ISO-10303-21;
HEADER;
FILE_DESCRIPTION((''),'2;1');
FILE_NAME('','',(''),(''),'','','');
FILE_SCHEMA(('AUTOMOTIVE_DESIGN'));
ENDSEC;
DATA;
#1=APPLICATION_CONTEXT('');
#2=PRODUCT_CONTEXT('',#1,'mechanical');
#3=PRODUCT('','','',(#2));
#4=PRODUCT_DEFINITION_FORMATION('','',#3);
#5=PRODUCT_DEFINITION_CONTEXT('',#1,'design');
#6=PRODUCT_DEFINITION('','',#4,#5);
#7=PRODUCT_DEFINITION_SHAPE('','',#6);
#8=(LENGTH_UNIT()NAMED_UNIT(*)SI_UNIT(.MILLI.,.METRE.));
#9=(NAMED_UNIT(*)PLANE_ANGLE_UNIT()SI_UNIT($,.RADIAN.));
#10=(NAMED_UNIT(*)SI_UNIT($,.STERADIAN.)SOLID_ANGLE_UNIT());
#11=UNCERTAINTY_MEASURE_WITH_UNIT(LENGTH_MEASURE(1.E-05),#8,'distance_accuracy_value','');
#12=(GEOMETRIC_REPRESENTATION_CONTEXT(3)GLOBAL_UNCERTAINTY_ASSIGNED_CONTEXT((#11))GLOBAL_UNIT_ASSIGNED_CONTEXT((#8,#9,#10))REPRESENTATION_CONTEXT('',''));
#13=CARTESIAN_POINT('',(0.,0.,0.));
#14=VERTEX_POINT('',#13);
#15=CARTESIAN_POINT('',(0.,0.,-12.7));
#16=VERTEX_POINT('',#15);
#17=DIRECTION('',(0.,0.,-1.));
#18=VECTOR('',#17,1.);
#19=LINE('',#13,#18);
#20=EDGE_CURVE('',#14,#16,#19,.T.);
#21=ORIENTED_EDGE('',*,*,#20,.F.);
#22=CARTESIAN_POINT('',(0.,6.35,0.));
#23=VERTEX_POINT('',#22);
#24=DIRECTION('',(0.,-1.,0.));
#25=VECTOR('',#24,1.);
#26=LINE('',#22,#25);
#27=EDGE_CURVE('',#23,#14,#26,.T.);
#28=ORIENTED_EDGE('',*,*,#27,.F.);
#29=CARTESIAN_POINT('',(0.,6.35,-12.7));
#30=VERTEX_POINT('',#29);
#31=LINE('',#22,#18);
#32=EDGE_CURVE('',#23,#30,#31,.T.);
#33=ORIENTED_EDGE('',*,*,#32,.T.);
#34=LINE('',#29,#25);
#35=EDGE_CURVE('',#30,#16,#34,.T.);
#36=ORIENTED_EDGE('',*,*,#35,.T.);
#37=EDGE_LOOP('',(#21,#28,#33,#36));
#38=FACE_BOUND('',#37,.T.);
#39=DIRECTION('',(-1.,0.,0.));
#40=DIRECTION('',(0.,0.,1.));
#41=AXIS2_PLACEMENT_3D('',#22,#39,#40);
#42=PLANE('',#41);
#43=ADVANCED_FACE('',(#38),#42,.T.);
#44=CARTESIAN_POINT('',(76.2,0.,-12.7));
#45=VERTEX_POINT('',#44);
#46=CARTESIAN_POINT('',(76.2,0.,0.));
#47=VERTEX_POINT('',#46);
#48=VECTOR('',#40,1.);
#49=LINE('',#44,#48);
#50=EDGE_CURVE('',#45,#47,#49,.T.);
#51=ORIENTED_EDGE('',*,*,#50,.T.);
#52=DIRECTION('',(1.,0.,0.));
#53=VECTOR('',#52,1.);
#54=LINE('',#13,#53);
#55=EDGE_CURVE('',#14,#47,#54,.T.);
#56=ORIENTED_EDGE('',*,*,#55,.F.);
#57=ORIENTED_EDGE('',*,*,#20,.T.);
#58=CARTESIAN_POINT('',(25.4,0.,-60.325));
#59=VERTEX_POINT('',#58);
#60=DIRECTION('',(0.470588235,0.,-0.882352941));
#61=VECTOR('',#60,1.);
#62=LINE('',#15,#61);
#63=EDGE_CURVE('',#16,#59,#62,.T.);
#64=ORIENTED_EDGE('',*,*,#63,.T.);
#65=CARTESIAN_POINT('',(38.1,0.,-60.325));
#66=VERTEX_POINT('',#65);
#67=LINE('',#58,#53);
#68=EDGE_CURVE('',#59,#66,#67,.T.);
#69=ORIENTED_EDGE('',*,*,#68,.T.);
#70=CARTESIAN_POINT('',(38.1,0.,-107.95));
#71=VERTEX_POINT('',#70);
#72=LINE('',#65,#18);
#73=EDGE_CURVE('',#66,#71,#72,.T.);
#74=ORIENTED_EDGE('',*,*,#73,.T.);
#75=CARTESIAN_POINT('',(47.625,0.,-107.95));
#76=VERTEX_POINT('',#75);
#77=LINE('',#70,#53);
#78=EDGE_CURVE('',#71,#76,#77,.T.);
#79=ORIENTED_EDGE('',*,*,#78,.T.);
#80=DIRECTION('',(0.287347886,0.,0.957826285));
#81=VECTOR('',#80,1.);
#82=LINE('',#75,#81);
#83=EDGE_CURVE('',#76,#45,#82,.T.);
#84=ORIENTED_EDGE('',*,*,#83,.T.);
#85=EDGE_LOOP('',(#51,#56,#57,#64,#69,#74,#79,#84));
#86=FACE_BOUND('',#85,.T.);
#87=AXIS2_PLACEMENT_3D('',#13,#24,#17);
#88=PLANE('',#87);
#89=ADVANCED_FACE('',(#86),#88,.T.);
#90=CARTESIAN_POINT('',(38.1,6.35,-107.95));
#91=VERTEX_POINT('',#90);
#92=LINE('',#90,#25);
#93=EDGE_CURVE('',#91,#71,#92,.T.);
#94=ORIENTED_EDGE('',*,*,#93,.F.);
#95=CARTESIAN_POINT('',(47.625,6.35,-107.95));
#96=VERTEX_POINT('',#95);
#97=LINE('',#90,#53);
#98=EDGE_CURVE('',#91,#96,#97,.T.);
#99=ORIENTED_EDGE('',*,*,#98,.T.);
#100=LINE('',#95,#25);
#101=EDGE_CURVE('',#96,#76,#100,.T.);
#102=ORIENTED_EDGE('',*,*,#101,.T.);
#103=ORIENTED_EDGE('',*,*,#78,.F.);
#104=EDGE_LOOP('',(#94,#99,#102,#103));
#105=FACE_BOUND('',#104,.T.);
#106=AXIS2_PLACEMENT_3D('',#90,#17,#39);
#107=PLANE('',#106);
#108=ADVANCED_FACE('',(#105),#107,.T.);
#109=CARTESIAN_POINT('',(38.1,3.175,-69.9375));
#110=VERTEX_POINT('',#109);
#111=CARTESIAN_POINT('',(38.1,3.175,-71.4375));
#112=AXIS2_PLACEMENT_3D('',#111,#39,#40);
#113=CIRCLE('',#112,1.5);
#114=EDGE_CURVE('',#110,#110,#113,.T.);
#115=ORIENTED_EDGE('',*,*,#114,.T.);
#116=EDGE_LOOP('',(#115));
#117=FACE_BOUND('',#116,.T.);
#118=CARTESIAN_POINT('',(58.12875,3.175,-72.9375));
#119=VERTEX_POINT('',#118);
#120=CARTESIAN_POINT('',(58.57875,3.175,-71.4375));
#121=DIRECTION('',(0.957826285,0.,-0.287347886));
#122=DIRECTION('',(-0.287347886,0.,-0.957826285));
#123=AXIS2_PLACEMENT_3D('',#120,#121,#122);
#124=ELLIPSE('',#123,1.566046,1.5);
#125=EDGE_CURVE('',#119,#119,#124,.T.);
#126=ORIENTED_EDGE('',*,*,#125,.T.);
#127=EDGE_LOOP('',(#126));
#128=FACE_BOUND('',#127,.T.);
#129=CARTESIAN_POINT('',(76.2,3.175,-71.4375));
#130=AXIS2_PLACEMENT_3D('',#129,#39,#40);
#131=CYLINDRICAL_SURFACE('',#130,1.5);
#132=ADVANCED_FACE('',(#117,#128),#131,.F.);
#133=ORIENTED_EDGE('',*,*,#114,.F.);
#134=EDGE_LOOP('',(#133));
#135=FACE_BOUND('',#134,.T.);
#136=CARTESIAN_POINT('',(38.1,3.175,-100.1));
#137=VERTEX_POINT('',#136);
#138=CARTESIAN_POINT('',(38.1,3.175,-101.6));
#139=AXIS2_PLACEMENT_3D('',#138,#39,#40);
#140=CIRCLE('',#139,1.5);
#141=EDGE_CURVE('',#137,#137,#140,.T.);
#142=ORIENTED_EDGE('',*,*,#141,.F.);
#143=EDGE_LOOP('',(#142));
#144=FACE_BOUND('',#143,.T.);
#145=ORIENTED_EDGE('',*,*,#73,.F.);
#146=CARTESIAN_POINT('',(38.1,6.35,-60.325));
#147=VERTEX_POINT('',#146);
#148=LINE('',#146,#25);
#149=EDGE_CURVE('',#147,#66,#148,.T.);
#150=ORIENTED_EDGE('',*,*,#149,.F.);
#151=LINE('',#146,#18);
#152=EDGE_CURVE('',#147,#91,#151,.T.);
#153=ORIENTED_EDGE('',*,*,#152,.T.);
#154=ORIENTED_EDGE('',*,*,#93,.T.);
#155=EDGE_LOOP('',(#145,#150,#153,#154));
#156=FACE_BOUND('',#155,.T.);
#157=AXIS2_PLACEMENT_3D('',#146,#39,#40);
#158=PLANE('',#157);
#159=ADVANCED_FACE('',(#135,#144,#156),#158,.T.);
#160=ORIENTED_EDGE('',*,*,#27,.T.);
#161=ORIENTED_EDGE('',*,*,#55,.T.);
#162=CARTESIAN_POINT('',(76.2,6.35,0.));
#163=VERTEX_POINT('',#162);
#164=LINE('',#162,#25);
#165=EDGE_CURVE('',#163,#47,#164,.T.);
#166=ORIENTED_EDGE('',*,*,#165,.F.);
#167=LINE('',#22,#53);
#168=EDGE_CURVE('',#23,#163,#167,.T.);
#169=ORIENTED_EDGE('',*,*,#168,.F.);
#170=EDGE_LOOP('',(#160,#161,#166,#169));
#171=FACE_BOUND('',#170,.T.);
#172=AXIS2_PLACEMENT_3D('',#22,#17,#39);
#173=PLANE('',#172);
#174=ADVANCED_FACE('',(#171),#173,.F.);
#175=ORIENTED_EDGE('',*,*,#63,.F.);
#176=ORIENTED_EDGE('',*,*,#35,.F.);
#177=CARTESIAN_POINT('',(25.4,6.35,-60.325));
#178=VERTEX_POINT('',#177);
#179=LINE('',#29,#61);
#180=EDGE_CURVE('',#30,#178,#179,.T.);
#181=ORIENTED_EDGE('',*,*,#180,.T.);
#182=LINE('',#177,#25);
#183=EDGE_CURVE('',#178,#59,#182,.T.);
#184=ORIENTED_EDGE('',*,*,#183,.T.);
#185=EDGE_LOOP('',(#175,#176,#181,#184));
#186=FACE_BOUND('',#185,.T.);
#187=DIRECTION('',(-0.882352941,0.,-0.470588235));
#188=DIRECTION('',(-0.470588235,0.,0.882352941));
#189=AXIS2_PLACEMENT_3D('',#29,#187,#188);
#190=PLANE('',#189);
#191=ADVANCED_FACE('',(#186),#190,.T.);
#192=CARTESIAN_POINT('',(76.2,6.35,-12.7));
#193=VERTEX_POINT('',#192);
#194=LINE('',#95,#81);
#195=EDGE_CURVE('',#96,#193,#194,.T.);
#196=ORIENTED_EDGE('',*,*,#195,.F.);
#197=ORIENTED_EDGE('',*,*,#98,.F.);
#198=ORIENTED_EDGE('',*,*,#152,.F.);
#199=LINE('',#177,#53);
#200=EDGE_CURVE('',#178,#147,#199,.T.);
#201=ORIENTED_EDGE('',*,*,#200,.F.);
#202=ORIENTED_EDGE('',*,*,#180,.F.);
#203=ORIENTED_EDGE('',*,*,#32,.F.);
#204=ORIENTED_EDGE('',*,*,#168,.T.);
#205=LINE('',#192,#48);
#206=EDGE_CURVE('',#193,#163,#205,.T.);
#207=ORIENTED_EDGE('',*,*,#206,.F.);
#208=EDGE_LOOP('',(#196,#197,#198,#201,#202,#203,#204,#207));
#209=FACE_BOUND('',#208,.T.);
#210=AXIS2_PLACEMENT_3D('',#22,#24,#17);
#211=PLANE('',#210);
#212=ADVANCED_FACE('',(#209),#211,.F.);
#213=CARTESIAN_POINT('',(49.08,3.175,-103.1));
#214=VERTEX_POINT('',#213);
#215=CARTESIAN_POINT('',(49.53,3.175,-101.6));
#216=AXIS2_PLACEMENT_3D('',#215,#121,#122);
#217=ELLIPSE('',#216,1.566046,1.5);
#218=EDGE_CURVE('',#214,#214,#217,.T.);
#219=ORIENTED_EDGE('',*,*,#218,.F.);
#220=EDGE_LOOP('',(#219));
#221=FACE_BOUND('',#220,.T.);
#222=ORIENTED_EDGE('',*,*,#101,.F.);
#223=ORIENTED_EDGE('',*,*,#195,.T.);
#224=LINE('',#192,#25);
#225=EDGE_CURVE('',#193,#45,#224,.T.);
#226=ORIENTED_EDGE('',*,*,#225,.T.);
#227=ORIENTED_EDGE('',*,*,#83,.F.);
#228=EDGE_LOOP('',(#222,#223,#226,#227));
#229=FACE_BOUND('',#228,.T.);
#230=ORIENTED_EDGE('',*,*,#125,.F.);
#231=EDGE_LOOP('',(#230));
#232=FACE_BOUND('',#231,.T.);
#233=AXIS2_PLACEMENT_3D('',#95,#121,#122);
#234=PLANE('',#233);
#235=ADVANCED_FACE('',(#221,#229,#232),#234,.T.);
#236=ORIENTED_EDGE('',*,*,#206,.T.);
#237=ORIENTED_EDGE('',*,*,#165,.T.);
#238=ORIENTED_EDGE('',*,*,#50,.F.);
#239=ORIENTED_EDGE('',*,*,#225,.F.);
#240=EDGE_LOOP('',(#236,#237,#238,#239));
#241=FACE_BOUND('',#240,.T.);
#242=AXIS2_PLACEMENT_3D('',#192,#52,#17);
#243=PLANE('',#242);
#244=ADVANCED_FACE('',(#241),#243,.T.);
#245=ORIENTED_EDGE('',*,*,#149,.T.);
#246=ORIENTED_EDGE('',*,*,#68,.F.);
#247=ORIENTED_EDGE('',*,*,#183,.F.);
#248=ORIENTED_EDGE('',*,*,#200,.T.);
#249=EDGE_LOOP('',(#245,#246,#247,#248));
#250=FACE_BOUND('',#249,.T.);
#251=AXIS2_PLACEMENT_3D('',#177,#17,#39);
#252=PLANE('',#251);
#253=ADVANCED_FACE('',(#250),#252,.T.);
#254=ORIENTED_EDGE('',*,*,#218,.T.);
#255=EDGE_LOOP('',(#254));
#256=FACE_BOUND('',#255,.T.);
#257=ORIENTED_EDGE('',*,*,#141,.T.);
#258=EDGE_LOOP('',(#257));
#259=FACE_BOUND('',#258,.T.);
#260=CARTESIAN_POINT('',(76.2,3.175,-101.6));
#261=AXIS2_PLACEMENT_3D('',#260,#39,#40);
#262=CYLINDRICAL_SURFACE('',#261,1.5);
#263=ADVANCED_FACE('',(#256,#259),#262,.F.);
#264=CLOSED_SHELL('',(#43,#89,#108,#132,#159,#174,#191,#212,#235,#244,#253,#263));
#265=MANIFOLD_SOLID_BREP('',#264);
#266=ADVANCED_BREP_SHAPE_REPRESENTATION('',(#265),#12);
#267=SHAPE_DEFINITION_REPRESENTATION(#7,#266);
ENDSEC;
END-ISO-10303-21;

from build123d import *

# Parameters (mm, degrees)
BOSS_EXTRUDE1_DEPTH     = 6.35
SKETCH2_R               = 1.5
CUT_EXTRUDE1_DEPTH      = 39.1
CUT_EXTRUDE1_DEPTH_BACK = 39.1


with BuildPart() as part:
    # Sketch1 → Boss-Extrude1 (new body)
    with BuildSketch(Plane(origin=(0, 0, 0), x_dir=(1, 0, 0), z_dir=(0, 1, 0))):
        Polygon((0, 0), (0, 12.7), (25.4, 60.325), (38.1, 60.325), (38.1, 107.95), (47.625, 107.95), (76.2, 12.7), (76.2, 0), align=None)
    extrude(amount=BOSS_EXTRUDE1_DEPTH)

    # Sketch2 → Cut-Extrude1 (cut, two sides)
    with BuildSketch(Plane.ZY.offset(-38.1)) as cut_extrude1_sk:
        with Locations((-101.6, 3.175)):
            Circle(SKETCH2_R)
        with Locations((-71.4375, 3.175)):
            Circle(SKETCH2_R)
    extrude(amount=CUT_EXTRUDE1_DEPTH, mode=Mode.SUBTRACT)
    extrude(cut_extrude1_sk.sketch, amount=-CUT_EXTRUDE1_DEPTH_BACK, mode=Mode.SUBTRACT)


solid = part.part
